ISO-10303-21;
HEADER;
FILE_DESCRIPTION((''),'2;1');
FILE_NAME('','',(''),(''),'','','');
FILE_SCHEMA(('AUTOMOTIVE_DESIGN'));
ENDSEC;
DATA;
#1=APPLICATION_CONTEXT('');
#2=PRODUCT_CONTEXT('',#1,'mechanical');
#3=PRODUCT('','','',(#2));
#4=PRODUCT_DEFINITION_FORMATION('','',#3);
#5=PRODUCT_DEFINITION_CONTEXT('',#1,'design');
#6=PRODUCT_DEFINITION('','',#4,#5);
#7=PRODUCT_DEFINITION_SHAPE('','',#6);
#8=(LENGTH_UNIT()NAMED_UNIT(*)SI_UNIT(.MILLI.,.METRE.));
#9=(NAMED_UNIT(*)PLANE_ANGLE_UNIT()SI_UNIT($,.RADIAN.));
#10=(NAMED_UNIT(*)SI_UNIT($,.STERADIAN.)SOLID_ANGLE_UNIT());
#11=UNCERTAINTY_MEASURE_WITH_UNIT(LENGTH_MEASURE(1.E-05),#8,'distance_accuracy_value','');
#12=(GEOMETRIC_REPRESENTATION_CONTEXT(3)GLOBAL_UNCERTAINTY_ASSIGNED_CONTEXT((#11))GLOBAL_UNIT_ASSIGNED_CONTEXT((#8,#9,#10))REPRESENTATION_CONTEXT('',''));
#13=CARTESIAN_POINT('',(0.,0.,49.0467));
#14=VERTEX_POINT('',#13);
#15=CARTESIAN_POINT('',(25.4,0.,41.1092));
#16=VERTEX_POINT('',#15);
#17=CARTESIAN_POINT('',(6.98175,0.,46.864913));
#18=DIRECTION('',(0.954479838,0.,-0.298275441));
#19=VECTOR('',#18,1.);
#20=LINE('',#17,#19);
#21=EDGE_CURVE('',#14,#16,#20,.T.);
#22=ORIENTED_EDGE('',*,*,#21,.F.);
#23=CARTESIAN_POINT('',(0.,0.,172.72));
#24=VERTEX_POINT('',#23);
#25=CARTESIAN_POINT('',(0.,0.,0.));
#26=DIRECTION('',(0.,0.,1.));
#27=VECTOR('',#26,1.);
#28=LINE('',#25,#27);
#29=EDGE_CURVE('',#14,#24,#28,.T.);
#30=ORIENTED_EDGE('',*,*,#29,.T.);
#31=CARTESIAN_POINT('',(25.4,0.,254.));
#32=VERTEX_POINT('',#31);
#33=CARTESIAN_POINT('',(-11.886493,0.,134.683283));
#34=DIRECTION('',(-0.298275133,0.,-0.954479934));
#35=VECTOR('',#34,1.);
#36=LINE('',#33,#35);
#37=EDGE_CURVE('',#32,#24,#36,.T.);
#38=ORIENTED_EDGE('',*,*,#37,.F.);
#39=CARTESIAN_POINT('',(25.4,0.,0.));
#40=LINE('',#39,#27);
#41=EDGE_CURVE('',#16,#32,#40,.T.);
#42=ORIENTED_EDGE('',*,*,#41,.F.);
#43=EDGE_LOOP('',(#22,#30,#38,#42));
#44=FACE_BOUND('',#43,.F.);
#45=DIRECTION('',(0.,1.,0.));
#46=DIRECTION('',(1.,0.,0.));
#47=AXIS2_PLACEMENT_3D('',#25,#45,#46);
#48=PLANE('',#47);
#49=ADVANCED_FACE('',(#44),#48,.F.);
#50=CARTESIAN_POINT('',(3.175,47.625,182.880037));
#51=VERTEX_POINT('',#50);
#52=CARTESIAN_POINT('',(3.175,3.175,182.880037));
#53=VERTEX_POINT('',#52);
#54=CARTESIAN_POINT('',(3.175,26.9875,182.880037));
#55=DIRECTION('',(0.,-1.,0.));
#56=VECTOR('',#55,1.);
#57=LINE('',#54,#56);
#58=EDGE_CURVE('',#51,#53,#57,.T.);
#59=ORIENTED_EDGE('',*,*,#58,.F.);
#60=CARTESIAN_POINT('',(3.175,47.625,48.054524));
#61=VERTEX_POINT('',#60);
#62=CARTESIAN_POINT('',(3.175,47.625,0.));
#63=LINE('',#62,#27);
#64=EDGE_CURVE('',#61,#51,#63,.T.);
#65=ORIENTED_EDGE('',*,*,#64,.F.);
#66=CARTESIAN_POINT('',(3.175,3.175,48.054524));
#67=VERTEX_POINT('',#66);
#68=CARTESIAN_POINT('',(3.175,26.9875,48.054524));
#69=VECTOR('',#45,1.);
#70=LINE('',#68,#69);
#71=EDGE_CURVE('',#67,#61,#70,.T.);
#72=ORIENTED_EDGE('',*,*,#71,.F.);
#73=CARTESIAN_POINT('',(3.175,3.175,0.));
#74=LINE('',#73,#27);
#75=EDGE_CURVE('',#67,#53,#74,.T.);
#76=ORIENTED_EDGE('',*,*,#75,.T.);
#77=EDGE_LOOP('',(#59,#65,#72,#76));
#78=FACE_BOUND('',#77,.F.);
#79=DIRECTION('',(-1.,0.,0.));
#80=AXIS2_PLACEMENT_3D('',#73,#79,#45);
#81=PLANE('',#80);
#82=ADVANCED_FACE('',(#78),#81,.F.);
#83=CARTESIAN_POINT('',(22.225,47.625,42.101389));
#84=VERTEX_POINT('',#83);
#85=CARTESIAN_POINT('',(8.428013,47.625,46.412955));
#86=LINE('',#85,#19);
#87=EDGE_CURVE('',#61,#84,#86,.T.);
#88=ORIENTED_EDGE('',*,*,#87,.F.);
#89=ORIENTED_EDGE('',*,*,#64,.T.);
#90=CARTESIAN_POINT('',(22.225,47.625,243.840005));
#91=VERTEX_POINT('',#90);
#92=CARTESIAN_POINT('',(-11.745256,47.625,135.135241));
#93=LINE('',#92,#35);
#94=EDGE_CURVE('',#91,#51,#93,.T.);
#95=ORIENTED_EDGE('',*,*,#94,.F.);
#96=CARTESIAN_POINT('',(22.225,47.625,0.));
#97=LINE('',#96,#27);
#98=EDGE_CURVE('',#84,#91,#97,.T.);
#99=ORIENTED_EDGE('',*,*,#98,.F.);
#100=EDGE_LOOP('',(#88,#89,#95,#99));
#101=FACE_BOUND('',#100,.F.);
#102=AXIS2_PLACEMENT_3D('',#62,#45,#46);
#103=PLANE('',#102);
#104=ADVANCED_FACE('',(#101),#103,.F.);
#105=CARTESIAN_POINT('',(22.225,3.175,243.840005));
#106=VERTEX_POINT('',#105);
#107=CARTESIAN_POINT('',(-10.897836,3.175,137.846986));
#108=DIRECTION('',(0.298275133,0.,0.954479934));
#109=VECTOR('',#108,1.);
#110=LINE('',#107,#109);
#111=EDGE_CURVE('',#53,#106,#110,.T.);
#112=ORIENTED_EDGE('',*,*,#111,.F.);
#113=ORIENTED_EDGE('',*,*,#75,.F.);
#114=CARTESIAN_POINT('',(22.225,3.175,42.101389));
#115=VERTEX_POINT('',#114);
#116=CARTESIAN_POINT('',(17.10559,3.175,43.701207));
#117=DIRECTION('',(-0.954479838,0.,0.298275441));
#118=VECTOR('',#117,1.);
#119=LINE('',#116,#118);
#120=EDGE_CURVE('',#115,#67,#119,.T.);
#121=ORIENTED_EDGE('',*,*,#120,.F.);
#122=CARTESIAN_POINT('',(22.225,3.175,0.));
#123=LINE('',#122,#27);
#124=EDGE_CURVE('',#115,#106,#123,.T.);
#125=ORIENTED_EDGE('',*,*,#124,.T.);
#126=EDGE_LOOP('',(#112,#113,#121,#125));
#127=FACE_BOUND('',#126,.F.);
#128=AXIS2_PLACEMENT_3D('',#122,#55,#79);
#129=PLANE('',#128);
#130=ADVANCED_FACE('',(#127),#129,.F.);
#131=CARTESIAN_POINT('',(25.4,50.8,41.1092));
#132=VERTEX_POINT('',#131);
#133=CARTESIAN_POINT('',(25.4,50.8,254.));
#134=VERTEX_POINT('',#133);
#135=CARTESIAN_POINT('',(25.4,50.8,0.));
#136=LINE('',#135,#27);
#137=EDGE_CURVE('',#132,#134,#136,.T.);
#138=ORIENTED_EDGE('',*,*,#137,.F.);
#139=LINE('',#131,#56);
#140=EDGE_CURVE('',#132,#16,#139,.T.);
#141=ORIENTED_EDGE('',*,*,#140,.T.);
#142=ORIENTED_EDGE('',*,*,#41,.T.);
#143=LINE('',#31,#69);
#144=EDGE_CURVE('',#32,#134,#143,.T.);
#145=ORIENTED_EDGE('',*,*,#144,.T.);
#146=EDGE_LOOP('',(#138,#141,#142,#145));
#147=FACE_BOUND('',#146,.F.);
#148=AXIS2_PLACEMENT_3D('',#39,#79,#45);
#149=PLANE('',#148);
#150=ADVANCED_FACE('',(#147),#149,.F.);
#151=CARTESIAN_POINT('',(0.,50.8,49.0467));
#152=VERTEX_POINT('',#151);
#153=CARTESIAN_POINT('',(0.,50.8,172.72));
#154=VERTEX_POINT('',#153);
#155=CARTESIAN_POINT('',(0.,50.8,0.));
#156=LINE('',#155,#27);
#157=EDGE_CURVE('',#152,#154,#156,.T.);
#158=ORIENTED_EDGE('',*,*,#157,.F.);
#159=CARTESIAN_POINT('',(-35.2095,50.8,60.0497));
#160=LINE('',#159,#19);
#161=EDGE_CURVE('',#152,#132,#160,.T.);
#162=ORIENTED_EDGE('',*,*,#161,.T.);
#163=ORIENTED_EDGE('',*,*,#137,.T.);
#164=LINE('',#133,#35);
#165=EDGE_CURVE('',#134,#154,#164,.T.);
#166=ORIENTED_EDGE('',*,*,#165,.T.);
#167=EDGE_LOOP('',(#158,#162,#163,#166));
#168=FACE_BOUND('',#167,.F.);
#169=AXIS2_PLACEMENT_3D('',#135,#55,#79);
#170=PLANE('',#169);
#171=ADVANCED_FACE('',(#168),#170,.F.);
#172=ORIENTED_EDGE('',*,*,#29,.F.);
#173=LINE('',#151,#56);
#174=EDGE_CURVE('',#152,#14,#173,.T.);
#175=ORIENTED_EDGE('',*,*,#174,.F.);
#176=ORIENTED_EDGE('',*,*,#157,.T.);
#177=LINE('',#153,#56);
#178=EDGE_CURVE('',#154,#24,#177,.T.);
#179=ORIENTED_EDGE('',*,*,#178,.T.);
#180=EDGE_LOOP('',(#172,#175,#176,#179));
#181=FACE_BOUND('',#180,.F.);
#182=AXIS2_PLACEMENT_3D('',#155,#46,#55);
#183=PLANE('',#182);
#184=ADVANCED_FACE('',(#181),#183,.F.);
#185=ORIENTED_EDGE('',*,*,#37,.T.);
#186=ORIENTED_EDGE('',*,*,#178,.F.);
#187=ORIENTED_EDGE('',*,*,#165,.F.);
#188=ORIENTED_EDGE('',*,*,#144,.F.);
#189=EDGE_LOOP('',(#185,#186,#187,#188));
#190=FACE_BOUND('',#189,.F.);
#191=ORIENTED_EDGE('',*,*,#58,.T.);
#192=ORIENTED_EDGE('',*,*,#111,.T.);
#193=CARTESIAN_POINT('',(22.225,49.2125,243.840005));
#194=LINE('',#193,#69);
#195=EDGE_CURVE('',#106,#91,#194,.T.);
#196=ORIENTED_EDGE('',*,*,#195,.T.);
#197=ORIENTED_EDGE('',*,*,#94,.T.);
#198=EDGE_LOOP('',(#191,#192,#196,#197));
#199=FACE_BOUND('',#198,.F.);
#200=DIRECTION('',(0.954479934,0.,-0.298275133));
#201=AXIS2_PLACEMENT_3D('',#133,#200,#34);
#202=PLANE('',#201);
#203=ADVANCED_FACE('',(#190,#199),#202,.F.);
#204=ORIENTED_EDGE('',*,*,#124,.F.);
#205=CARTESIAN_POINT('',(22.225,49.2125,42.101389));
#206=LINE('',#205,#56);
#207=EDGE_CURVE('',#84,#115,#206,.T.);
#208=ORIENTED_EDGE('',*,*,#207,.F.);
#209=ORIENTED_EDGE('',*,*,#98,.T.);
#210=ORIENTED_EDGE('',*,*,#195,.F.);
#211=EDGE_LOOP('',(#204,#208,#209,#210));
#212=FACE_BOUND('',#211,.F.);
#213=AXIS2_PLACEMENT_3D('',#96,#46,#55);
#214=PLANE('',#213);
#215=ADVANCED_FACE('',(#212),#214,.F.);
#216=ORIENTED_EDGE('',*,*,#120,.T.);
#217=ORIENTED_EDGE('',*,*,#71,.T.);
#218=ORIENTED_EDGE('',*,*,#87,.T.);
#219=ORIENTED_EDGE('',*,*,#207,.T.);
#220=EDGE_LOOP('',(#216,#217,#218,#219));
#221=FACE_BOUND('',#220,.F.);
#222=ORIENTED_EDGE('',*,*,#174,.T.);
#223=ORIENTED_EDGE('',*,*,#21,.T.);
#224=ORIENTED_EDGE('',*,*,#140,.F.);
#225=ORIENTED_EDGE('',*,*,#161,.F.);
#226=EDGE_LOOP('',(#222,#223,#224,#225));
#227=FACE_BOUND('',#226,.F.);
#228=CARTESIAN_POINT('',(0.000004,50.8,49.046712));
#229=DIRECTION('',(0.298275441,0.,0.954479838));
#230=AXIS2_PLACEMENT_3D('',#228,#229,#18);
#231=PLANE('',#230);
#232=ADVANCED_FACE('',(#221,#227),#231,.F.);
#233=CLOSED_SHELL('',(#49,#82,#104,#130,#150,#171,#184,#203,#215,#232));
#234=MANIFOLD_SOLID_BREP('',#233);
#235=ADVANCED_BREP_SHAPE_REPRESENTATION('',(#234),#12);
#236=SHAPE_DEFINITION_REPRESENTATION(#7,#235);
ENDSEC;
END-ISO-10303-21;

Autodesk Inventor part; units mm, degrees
ref_plane "YZ Plane" through (0, 0, 0) normal (1, 0, 0) x (0, 1, 0)
ref_plane "XZ Plane" through (0, 0, 0) normal (0, 1, 0) x (-1, 0, 0)
ref_plane "XY Plane" through (0, 0, 0) normal (0, 0, 1) x (1, 0, 0)
sketch "Sketch1" plane through (0, 0, 0) normal (0, 0, 1) x (1, 0, 0)
  line L0 (0, 0) -> (25.4, 0)
  line L1 (25.4, 0) -> (25.4, 50.8)
  line L2 (25.4, 50.8) -> (0, 50.8)
  line L3 (0, 50.8) -> (0, 0)
  line L4 (22.225, 47.625) -> (22.225, 3.175)
  line L5 (22.225, 3.175) -> (3.175, 3.175)
  line L6 (3.175, 3.175) -> (3.175, 47.625)
  line L7 (3.175, 47.625) -> (22.225, 47.625)
  dimension "d0" = 25.4
  dimension "d1" = 50.8
  dimension "d2" = 3.175
extrude "Extrusion1" add sketch "Sketch1" along normal blind 254
sketch "Sketch4" plane through (0, 50.8, 0) normal (0, 1, 0) x (1, 0, 0)
  line L0 (0, -254) -> (25.4, -254) projected
  line L1 (25.4, 0) -> (25.4, -254) projected
  line L2 (25.4, 0) -> (0, 0) projected
  line L3 (0, 0) -> (0, -254) projected
  line L4 (25.4, -254) -> (-35.2095, -60.0497)
  line L5 (-35.2095, -60.0497) -> (25.4, -41.1092)
  line L6 (25.4, -254) -> (25.4, -41.1092)
  line L7 (0, -49.0467) -> (0, -172.72)
  dimension "d17" = 203.2
  dimension "d18" = 63.5
extrude "Extrusion4" cut sketch "Sketch4" against normal blind 254 contours L3 L4 L0 | L5 L3 L2 L1
properties part number "ball shoot" material "Aluminum 6061"
